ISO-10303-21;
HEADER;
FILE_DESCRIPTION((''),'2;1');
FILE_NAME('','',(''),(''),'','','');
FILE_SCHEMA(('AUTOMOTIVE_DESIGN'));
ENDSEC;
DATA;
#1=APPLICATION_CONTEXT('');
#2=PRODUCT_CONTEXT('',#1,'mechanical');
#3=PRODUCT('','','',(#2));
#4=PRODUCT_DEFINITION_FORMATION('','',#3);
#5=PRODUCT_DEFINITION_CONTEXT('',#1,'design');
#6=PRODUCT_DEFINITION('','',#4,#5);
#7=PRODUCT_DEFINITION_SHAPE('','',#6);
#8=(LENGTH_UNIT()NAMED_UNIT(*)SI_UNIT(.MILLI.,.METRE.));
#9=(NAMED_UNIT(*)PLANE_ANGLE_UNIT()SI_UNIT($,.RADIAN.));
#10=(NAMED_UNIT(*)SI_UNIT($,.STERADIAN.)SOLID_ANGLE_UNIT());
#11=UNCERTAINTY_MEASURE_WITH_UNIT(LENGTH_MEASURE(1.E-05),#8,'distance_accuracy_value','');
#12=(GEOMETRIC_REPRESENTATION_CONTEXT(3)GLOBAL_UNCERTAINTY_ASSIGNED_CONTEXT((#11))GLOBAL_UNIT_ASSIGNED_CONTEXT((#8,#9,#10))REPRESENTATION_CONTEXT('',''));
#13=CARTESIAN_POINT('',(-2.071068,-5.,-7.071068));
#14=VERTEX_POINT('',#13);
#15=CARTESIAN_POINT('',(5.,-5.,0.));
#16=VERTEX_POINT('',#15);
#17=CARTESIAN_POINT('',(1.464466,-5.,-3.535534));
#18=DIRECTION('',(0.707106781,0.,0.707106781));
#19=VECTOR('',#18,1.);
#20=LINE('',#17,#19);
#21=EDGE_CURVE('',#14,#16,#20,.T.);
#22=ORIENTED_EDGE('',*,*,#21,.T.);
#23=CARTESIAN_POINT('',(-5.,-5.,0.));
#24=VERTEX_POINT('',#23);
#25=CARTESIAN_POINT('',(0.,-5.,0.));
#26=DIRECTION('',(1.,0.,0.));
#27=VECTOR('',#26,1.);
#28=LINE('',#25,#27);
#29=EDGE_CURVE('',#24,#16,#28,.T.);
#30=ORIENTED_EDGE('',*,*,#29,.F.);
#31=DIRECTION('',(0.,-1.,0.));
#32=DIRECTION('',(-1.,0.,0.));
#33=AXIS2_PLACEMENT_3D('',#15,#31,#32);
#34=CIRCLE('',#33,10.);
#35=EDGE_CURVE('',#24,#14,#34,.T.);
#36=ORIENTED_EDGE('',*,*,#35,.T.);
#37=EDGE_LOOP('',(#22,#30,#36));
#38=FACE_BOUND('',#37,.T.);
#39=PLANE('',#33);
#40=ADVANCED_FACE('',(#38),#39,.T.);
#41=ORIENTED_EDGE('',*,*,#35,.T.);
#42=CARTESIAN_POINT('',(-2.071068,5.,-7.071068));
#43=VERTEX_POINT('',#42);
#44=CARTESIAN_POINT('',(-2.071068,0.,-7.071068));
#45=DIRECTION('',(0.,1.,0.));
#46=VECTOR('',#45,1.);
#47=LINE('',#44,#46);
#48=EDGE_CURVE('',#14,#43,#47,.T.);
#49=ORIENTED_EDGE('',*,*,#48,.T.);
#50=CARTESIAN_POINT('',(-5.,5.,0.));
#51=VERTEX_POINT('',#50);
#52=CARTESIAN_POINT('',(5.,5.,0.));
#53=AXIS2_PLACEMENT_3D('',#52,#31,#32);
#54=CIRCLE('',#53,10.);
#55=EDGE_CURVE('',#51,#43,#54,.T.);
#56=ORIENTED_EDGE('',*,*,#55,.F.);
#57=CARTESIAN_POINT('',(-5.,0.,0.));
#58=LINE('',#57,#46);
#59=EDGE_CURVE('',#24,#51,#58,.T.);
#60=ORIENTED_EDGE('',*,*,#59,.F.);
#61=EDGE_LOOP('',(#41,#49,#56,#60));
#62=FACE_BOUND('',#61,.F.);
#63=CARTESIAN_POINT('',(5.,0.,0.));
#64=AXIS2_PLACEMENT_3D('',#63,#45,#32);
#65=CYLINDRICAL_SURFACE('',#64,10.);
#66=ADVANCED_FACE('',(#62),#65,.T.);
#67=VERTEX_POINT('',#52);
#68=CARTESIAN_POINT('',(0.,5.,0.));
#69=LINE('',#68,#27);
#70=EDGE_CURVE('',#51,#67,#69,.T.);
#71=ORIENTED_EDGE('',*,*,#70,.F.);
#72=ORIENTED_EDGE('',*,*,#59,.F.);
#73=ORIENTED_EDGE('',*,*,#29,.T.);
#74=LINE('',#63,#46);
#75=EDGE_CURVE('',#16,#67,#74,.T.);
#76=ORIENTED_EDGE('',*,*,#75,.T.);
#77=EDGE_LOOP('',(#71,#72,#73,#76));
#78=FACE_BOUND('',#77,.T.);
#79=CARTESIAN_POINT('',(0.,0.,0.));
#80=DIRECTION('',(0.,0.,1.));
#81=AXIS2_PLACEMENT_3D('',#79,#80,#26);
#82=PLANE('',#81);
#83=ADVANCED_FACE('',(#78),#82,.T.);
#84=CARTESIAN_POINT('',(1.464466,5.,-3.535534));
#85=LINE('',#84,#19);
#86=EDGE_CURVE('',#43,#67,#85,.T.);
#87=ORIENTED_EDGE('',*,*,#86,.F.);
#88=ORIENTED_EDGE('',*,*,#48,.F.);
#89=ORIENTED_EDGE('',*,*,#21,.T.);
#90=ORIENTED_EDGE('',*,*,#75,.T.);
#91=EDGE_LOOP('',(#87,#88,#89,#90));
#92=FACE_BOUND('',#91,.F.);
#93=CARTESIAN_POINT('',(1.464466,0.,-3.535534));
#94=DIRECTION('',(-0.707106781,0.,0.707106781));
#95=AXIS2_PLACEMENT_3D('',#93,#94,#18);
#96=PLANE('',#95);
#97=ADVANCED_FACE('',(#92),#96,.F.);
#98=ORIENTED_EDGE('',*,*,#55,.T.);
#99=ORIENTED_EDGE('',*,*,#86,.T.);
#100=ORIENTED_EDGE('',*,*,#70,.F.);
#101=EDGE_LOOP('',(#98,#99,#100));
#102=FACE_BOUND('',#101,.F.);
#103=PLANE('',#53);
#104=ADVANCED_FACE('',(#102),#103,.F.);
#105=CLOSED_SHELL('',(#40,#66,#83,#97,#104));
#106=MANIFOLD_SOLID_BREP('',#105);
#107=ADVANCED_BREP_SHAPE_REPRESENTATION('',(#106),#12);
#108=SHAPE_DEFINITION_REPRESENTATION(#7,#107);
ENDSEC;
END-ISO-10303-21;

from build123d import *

# Parameters (mm, degrees)
F0_W     = 10
F0_H     = 10
F1_ANGLE = 45


with BuildPart() as f1:
    # F0 (on Top) → F1 (revolve)
    with BuildSketch(Plane.XY):
        Rectangle(F0_W, F0_H)
    revolve(axis=Axis((5, 0, 0), (0, -1, 0)), revolution_arc=F1_ANGLE)


solid = f1.part
